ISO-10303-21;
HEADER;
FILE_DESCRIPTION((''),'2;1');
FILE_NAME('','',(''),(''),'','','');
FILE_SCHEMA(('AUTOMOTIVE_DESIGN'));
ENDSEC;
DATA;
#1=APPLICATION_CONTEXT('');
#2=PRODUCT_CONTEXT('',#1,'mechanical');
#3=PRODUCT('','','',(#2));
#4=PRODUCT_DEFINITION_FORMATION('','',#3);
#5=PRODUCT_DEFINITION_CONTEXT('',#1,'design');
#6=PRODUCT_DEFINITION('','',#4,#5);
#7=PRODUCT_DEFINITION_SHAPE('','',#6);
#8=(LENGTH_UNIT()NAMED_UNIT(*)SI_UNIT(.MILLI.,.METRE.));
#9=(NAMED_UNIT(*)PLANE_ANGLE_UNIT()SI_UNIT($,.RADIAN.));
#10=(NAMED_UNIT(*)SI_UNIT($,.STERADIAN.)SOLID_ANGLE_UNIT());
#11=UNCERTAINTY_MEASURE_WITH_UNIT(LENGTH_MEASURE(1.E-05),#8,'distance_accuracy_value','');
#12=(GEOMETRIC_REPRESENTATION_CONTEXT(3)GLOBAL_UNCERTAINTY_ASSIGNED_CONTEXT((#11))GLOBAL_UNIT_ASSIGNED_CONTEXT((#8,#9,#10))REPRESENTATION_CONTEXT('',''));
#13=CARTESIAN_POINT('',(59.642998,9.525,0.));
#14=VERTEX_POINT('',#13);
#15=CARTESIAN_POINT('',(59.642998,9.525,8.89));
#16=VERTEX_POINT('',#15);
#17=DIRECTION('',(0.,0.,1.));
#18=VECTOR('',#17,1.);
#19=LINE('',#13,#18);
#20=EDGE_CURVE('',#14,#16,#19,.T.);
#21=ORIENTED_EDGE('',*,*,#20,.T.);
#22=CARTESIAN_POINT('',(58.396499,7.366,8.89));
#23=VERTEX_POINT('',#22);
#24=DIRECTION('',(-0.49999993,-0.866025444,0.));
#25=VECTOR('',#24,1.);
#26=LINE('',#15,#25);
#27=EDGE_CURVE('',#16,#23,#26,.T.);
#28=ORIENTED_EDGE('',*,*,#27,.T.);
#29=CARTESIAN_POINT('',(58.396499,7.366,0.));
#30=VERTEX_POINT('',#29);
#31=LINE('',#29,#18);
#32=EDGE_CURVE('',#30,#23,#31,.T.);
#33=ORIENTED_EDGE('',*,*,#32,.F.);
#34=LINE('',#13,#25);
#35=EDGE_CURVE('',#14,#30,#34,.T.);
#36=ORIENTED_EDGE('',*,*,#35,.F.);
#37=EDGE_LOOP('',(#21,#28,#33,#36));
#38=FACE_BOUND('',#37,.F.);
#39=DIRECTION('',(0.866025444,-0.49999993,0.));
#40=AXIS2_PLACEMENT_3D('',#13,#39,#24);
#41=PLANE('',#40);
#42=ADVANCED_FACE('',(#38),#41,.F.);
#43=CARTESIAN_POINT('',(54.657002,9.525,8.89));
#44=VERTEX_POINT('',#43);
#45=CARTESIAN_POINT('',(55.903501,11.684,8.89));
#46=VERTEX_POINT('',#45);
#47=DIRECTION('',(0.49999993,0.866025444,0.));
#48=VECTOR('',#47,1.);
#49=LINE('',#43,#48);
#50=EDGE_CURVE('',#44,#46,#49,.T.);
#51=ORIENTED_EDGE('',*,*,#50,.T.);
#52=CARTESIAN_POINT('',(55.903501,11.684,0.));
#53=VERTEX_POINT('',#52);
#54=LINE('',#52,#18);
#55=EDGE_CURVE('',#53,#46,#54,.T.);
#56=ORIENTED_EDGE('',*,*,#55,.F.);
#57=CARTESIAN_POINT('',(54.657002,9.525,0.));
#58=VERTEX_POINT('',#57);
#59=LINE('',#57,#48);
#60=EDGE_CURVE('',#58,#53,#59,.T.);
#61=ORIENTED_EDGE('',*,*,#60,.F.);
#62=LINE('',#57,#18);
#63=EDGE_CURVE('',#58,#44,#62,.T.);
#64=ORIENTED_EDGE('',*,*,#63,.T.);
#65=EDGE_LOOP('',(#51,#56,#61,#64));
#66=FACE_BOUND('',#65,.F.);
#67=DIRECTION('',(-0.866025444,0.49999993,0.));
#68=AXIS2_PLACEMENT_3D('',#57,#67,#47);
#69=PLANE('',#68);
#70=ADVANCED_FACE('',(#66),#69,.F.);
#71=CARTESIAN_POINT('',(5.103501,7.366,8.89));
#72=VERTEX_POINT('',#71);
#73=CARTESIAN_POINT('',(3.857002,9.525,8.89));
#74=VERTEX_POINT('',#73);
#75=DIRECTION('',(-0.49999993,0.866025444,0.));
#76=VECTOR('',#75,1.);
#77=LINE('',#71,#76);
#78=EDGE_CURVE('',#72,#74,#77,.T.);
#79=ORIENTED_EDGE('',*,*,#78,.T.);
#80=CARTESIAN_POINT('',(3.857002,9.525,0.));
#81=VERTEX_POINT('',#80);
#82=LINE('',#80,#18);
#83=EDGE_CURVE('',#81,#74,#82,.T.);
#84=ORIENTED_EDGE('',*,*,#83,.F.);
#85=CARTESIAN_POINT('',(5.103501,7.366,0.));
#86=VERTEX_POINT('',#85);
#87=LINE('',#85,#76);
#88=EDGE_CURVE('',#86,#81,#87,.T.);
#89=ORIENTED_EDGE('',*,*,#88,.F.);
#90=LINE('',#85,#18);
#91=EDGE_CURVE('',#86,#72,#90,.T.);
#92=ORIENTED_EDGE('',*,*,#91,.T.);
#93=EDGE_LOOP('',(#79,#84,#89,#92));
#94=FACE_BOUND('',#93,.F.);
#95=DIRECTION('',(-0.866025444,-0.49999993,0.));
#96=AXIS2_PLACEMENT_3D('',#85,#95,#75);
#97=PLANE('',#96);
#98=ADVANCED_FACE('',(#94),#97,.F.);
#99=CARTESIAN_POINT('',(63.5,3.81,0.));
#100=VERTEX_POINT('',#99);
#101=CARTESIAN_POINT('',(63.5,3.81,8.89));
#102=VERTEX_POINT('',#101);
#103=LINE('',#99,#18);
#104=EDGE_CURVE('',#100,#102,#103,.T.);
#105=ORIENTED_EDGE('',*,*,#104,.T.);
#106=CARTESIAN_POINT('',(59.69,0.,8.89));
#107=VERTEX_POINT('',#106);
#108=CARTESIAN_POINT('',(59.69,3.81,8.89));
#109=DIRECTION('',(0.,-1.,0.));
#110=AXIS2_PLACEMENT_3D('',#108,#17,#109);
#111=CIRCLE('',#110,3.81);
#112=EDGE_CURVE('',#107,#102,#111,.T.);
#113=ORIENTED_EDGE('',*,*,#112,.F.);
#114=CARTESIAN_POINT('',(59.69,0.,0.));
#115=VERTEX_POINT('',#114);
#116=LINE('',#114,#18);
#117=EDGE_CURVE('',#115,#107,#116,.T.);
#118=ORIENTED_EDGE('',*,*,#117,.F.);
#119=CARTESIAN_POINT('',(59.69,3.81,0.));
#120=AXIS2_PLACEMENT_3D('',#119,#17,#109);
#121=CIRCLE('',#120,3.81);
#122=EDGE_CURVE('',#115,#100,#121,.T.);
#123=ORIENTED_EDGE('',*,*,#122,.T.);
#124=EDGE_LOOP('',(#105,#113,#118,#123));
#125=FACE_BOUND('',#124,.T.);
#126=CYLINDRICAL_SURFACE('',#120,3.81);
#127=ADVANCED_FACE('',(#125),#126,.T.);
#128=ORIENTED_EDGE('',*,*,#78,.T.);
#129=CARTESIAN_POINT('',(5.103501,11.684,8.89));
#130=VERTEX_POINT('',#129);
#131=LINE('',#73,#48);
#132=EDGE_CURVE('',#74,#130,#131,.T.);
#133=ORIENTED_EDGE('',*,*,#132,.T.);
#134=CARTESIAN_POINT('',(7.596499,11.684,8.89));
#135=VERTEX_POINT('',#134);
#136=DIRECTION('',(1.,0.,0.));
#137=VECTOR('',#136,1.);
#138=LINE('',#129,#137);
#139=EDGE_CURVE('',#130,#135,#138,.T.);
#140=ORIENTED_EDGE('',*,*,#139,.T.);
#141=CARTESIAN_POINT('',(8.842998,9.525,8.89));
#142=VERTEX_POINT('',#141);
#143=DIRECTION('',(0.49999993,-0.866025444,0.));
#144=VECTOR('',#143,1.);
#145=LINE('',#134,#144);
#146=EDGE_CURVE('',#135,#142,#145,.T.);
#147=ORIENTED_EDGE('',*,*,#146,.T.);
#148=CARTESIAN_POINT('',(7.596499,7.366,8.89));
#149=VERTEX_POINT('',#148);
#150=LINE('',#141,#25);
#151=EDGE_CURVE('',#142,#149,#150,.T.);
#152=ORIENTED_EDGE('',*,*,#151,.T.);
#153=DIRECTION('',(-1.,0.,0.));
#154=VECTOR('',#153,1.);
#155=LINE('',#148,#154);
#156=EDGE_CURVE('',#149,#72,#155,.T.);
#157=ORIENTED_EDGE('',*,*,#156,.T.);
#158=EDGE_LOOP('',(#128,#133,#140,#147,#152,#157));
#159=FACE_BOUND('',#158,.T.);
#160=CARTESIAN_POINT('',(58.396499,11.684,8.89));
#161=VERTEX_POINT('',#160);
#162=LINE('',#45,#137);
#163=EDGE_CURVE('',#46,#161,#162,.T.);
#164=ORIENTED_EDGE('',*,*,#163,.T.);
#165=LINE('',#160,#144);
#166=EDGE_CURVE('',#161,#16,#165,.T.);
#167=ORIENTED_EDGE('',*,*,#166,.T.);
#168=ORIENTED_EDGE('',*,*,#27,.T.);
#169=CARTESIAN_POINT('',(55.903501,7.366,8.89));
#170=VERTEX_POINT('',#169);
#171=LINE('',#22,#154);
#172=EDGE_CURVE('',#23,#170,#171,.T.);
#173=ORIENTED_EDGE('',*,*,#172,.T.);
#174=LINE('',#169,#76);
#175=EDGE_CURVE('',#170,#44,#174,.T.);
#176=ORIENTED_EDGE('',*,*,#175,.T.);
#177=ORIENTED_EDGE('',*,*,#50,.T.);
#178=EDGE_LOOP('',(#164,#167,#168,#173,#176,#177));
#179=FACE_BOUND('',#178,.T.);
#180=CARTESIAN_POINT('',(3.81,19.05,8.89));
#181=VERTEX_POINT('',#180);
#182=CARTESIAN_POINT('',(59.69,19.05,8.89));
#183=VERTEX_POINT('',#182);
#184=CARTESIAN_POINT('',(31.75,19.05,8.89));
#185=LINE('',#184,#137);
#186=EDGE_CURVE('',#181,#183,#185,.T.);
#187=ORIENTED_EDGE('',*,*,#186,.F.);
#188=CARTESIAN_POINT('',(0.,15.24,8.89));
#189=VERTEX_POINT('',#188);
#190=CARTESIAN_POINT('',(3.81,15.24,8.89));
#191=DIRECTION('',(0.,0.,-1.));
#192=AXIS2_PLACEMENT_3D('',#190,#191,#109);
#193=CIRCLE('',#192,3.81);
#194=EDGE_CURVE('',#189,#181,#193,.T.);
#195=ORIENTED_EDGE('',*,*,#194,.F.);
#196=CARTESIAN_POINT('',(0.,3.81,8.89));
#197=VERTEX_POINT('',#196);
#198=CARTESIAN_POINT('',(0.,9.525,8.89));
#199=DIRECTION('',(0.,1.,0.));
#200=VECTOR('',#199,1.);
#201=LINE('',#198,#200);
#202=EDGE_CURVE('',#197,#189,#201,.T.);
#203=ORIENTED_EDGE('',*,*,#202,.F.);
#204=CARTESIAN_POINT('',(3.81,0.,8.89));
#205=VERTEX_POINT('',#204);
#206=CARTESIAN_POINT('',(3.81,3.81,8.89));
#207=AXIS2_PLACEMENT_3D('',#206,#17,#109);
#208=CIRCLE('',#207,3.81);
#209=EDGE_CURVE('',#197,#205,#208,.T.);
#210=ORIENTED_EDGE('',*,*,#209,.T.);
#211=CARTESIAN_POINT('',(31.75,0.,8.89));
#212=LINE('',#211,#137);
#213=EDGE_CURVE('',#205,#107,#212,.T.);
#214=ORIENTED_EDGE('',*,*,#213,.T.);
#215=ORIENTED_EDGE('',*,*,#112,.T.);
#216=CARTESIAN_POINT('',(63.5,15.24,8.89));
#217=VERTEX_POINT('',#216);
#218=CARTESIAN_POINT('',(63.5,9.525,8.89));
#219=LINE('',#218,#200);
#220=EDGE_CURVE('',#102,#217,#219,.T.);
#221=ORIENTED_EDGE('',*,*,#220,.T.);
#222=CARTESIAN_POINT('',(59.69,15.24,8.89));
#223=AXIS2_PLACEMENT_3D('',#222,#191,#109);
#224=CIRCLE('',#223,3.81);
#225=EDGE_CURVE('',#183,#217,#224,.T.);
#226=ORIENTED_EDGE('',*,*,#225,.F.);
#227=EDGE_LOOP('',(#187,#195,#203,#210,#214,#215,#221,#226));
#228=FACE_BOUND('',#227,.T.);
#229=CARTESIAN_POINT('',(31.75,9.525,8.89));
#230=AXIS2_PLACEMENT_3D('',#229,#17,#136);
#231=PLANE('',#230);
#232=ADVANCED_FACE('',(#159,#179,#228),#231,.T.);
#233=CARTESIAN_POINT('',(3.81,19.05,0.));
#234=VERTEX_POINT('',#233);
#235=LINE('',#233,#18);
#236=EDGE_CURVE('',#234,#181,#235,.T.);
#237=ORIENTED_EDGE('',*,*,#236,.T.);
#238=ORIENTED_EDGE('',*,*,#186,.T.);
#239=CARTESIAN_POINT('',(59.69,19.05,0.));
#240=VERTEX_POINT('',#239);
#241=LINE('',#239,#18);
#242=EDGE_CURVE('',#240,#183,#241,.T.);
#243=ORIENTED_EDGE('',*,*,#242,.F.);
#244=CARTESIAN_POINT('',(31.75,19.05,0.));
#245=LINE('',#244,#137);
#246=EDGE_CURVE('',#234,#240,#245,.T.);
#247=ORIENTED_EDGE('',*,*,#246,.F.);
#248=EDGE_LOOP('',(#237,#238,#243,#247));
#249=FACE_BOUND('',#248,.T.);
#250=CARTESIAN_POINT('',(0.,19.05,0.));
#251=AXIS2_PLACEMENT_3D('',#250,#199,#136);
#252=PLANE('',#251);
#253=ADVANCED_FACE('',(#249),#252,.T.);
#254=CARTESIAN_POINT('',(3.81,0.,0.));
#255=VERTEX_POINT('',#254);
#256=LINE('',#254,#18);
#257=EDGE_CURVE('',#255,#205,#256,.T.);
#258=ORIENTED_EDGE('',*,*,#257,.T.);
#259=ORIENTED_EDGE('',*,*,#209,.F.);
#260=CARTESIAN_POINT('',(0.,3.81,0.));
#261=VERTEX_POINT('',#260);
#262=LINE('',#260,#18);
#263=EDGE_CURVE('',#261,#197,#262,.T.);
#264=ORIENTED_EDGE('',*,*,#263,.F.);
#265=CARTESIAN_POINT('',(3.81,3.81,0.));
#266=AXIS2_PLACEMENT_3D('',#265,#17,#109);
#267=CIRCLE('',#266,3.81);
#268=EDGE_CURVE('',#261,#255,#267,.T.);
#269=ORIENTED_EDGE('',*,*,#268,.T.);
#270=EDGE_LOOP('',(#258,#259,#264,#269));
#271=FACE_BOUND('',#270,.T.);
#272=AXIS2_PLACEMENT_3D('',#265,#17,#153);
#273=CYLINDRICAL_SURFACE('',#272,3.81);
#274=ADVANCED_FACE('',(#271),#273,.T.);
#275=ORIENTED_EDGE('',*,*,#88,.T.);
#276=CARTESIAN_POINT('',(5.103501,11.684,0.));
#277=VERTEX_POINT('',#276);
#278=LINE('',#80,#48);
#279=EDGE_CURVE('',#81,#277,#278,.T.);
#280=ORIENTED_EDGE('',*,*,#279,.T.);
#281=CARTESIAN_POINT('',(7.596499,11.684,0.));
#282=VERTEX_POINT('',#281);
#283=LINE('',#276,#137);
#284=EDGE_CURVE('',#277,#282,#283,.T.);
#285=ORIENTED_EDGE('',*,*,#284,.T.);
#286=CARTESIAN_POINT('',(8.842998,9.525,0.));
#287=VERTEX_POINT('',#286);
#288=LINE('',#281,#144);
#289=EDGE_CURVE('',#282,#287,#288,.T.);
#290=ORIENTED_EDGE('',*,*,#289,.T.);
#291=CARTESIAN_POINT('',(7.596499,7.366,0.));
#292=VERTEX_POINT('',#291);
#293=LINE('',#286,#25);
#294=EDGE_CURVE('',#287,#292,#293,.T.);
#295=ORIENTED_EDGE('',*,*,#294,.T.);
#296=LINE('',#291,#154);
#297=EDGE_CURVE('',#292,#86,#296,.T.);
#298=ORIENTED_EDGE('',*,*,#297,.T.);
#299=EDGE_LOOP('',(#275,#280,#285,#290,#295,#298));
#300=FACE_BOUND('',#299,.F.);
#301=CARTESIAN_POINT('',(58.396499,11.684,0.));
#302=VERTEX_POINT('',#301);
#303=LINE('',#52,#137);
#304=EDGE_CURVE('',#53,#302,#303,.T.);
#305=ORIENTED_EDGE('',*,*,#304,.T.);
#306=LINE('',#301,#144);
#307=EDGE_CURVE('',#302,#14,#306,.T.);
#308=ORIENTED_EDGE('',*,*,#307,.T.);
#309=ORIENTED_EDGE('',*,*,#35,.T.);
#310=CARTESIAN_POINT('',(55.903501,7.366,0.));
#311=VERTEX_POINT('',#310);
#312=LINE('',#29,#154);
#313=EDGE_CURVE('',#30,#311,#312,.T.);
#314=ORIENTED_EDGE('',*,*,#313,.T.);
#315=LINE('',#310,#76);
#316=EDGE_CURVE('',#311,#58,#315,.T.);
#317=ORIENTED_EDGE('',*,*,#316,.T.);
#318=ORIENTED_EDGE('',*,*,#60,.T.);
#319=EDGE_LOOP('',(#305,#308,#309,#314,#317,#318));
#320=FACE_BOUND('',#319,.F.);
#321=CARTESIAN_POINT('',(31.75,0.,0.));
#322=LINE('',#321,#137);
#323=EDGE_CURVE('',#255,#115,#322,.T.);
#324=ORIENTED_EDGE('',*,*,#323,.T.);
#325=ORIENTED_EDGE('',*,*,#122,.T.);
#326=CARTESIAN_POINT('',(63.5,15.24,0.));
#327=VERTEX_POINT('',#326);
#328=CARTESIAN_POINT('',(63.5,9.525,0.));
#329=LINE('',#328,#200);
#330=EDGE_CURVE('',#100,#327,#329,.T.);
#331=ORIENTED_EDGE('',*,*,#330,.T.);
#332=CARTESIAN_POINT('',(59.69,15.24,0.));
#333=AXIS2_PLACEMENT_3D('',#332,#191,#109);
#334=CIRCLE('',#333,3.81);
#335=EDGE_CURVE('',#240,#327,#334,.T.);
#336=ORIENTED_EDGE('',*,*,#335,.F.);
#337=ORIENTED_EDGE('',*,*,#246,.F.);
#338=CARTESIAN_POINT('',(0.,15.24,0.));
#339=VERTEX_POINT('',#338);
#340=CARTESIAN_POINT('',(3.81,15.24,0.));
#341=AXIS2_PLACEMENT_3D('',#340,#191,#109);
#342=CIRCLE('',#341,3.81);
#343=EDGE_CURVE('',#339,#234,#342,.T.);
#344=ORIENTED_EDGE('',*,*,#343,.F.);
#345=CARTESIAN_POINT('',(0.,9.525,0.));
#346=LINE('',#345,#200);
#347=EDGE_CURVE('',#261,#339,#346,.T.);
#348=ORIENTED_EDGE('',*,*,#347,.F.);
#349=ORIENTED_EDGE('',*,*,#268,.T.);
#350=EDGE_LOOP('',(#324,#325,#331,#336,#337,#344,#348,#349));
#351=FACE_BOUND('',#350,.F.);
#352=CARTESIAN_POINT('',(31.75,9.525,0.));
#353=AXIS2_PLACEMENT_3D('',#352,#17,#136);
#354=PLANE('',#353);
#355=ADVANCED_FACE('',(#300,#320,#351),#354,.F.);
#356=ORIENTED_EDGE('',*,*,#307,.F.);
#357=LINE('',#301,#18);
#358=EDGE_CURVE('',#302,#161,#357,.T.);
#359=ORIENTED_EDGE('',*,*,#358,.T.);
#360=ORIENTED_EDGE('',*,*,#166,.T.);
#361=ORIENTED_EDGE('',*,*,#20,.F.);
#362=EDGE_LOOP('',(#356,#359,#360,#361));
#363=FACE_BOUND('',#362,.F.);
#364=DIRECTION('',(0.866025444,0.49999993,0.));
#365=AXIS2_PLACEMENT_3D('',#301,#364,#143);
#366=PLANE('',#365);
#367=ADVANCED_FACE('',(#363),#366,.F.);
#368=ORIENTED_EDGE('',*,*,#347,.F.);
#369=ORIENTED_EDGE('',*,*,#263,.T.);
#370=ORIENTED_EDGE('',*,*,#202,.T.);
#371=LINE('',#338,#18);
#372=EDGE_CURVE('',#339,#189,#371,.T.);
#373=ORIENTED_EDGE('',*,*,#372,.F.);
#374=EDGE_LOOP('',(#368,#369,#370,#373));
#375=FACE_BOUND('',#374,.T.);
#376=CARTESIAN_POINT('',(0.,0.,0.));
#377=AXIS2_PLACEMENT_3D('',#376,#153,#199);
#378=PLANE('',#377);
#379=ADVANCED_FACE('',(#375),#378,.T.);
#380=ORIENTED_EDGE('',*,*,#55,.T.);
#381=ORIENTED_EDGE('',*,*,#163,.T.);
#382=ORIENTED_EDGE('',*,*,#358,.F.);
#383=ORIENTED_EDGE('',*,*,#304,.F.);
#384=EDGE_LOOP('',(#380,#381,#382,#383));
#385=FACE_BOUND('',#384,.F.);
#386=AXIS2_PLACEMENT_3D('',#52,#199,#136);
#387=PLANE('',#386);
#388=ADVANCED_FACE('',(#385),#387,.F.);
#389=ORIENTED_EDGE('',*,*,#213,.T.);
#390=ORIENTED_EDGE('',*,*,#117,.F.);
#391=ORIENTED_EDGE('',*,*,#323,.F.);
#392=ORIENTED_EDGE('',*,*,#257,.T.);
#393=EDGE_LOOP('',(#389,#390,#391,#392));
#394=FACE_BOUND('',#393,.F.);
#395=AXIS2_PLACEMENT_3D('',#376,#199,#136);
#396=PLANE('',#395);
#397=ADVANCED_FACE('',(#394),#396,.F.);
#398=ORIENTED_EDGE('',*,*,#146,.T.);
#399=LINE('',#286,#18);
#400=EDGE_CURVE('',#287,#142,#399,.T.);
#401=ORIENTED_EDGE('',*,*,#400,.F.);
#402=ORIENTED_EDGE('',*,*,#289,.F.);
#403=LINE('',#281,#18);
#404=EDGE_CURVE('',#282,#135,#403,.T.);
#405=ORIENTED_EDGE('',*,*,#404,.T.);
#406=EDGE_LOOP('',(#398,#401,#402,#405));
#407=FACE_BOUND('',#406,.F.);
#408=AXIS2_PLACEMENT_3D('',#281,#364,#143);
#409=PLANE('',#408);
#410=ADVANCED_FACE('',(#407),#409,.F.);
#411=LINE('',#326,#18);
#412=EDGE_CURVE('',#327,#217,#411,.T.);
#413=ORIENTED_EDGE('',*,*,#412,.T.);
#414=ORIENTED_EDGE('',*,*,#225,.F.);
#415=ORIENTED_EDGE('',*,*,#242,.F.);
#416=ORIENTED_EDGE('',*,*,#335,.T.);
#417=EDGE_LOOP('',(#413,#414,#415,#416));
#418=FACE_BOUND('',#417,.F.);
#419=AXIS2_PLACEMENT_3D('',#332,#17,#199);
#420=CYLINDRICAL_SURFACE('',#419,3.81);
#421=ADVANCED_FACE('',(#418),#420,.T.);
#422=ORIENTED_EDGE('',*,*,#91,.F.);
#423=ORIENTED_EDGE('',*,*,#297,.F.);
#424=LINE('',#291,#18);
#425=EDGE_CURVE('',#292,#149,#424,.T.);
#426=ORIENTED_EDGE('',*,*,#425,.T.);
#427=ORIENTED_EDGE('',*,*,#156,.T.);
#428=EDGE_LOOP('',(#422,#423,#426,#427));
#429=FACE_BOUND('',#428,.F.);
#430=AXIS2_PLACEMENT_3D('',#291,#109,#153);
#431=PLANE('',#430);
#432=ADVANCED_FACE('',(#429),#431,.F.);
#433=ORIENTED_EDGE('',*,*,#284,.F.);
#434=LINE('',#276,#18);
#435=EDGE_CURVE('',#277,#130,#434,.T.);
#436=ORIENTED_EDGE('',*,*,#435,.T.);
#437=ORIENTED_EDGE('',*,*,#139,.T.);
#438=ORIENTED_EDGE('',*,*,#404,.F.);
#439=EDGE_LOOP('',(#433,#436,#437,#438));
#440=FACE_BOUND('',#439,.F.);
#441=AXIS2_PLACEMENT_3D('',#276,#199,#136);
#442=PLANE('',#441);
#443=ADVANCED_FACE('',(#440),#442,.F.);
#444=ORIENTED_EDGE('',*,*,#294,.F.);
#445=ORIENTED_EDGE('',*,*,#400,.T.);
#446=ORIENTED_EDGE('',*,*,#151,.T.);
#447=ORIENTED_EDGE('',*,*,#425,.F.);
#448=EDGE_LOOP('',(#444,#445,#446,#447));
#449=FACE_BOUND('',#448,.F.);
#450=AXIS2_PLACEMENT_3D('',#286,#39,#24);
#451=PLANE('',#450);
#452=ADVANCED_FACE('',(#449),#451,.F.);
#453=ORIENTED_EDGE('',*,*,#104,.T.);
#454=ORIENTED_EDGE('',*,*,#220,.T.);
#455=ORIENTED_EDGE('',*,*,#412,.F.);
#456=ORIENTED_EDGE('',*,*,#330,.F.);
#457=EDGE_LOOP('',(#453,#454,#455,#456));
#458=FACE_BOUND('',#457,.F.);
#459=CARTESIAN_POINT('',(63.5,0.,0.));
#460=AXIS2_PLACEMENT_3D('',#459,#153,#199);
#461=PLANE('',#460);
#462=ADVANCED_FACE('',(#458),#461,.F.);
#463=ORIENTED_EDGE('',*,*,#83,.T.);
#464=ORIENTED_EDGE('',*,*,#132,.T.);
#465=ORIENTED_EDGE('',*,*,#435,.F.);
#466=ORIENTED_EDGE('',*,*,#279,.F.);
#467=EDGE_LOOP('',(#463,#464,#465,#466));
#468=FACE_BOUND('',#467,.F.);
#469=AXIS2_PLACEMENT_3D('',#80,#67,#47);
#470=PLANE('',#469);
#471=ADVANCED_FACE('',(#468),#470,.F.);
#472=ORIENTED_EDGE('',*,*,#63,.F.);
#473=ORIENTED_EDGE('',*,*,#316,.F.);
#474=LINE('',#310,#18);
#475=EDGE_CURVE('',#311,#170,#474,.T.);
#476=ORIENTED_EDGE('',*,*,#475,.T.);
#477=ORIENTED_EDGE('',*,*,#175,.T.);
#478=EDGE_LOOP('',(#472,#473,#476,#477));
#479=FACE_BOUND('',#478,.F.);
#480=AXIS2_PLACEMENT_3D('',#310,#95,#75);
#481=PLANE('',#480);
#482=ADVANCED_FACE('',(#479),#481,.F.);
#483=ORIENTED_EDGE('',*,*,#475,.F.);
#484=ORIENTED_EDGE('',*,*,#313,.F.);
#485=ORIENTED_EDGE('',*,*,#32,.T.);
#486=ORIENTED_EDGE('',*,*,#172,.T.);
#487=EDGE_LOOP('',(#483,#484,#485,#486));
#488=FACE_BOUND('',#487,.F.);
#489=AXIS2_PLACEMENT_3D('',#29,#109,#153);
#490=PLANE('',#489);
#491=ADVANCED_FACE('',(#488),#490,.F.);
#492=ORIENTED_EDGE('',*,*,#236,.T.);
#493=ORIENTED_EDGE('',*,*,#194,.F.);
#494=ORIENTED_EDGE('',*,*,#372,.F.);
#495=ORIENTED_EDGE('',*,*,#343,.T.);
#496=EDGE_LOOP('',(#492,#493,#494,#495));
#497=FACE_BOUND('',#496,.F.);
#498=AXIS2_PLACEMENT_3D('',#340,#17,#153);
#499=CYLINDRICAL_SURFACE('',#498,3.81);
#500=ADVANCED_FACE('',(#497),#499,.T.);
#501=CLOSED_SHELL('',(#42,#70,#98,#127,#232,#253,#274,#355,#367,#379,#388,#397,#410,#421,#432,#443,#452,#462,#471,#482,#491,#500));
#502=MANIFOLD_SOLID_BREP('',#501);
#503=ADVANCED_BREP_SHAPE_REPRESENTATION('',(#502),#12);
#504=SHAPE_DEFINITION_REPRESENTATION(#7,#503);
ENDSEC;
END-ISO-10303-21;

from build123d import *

# Parameters (mm, degrees)
F0_W     = 63.5
F0_H     = 19.05
F1_DEPTH = 8.89
F2_R     = 3.81


with BuildPart() as f1:
    # F0 (on Top) → F1 (new body)
    with BuildSketch(Plane.XY):
        with Locations((31.75, 9.525)):
            Rectangle(F0_W, F0_H)
        Polygon((3.857002, 9.525), (5.103501, 11.684), (7.596499, 11.684), (8.842998, 9.525), (7.596499, 7.366), (5.103501, 7.366), align=None, mode=Mode.SUBTRACT)
        Polygon((54.657002, 9.525), (55.903501, 11.684), (58.396499, 11.684), (59.642998, 9.525), (58.396499, 7.366), (55.903501, 7.366), align=None, mode=Mode.SUBTRACT)
    extrude(amount=F1_DEPTH)

    # F2
    f2_edges = [f1.edges().sort_by_distance(p)[0] for p in [
        (0, 0, 4.445),
        (0, 19.05, 4.445),
        (63.5, 0, 4.445),
        (63.5, 19.05, 4.445),
    ]]
    fillet(f2_edges, radius=F2_R)


solid = f1.part
